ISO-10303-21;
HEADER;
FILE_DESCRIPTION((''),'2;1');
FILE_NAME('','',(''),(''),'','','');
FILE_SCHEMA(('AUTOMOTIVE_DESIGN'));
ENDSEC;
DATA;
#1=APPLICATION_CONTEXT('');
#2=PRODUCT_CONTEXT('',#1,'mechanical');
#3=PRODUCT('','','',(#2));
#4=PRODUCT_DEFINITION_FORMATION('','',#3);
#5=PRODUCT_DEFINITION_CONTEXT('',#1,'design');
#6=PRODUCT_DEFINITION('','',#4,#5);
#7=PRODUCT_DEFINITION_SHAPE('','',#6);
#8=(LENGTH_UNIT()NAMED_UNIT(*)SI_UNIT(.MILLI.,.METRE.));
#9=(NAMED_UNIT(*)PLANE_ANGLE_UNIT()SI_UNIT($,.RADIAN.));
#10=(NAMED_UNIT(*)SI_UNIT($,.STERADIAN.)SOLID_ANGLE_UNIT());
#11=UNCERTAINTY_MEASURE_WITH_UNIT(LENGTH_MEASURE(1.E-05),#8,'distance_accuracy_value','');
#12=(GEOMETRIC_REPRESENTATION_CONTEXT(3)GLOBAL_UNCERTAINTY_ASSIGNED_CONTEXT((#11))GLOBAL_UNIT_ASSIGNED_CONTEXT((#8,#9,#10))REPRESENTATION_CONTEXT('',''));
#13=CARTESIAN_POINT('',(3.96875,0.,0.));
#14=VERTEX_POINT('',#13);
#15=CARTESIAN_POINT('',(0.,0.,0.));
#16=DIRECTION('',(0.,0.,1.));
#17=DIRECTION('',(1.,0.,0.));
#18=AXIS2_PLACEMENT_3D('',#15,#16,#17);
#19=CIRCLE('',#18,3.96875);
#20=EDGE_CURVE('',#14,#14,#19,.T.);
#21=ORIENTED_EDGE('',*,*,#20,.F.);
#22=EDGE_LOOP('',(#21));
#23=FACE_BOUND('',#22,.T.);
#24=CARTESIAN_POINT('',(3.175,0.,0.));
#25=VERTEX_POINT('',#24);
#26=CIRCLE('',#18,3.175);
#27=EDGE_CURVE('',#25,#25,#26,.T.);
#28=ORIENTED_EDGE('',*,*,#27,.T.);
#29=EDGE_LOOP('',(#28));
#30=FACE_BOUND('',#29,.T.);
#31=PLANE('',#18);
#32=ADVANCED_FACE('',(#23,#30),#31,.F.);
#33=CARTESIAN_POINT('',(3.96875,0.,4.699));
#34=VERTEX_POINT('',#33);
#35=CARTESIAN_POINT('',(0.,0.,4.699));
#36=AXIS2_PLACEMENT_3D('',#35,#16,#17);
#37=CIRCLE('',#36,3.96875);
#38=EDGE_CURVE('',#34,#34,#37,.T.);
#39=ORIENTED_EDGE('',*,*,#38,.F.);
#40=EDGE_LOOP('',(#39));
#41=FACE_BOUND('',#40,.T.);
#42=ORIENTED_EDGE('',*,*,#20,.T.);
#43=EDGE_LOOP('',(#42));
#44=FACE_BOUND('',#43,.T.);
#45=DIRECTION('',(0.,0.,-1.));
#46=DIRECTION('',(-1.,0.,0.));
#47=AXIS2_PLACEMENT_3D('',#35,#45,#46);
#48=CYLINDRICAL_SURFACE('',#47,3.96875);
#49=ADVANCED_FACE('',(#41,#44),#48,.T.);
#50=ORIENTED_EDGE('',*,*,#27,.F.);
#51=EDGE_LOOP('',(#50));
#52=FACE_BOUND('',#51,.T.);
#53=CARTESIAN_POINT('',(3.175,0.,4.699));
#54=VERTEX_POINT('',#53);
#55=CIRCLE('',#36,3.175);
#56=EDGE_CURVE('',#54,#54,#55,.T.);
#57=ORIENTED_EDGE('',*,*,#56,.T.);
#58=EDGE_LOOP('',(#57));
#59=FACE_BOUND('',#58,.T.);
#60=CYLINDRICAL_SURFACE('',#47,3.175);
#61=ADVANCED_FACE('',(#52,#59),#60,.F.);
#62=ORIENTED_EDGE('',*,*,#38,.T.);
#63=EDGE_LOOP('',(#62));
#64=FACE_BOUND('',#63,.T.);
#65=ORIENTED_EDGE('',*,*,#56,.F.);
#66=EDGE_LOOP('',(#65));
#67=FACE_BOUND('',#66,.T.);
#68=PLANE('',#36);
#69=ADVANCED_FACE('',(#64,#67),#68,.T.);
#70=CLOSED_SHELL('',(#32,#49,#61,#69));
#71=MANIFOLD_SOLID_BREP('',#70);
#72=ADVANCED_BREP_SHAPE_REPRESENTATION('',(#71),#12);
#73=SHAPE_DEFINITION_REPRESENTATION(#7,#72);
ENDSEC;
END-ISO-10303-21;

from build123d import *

# Parameters (mm, degrees)
SKETCH1_R      = 3.96875
SKETCH1_R_2    = 3.175
EXTRUDE1_DEPTH = 4.699


with BuildPart() as part:
    # Sketch1 → Extrude1 (new body)
    with BuildSketch(Plane.XY):
        Circle(SKETCH1_R)
        Circle(SKETCH1_R_2, mode=Mode.SUBTRACT)
    extrude(amount=EXTRUDE1_DEPTH)


solid = part.part
